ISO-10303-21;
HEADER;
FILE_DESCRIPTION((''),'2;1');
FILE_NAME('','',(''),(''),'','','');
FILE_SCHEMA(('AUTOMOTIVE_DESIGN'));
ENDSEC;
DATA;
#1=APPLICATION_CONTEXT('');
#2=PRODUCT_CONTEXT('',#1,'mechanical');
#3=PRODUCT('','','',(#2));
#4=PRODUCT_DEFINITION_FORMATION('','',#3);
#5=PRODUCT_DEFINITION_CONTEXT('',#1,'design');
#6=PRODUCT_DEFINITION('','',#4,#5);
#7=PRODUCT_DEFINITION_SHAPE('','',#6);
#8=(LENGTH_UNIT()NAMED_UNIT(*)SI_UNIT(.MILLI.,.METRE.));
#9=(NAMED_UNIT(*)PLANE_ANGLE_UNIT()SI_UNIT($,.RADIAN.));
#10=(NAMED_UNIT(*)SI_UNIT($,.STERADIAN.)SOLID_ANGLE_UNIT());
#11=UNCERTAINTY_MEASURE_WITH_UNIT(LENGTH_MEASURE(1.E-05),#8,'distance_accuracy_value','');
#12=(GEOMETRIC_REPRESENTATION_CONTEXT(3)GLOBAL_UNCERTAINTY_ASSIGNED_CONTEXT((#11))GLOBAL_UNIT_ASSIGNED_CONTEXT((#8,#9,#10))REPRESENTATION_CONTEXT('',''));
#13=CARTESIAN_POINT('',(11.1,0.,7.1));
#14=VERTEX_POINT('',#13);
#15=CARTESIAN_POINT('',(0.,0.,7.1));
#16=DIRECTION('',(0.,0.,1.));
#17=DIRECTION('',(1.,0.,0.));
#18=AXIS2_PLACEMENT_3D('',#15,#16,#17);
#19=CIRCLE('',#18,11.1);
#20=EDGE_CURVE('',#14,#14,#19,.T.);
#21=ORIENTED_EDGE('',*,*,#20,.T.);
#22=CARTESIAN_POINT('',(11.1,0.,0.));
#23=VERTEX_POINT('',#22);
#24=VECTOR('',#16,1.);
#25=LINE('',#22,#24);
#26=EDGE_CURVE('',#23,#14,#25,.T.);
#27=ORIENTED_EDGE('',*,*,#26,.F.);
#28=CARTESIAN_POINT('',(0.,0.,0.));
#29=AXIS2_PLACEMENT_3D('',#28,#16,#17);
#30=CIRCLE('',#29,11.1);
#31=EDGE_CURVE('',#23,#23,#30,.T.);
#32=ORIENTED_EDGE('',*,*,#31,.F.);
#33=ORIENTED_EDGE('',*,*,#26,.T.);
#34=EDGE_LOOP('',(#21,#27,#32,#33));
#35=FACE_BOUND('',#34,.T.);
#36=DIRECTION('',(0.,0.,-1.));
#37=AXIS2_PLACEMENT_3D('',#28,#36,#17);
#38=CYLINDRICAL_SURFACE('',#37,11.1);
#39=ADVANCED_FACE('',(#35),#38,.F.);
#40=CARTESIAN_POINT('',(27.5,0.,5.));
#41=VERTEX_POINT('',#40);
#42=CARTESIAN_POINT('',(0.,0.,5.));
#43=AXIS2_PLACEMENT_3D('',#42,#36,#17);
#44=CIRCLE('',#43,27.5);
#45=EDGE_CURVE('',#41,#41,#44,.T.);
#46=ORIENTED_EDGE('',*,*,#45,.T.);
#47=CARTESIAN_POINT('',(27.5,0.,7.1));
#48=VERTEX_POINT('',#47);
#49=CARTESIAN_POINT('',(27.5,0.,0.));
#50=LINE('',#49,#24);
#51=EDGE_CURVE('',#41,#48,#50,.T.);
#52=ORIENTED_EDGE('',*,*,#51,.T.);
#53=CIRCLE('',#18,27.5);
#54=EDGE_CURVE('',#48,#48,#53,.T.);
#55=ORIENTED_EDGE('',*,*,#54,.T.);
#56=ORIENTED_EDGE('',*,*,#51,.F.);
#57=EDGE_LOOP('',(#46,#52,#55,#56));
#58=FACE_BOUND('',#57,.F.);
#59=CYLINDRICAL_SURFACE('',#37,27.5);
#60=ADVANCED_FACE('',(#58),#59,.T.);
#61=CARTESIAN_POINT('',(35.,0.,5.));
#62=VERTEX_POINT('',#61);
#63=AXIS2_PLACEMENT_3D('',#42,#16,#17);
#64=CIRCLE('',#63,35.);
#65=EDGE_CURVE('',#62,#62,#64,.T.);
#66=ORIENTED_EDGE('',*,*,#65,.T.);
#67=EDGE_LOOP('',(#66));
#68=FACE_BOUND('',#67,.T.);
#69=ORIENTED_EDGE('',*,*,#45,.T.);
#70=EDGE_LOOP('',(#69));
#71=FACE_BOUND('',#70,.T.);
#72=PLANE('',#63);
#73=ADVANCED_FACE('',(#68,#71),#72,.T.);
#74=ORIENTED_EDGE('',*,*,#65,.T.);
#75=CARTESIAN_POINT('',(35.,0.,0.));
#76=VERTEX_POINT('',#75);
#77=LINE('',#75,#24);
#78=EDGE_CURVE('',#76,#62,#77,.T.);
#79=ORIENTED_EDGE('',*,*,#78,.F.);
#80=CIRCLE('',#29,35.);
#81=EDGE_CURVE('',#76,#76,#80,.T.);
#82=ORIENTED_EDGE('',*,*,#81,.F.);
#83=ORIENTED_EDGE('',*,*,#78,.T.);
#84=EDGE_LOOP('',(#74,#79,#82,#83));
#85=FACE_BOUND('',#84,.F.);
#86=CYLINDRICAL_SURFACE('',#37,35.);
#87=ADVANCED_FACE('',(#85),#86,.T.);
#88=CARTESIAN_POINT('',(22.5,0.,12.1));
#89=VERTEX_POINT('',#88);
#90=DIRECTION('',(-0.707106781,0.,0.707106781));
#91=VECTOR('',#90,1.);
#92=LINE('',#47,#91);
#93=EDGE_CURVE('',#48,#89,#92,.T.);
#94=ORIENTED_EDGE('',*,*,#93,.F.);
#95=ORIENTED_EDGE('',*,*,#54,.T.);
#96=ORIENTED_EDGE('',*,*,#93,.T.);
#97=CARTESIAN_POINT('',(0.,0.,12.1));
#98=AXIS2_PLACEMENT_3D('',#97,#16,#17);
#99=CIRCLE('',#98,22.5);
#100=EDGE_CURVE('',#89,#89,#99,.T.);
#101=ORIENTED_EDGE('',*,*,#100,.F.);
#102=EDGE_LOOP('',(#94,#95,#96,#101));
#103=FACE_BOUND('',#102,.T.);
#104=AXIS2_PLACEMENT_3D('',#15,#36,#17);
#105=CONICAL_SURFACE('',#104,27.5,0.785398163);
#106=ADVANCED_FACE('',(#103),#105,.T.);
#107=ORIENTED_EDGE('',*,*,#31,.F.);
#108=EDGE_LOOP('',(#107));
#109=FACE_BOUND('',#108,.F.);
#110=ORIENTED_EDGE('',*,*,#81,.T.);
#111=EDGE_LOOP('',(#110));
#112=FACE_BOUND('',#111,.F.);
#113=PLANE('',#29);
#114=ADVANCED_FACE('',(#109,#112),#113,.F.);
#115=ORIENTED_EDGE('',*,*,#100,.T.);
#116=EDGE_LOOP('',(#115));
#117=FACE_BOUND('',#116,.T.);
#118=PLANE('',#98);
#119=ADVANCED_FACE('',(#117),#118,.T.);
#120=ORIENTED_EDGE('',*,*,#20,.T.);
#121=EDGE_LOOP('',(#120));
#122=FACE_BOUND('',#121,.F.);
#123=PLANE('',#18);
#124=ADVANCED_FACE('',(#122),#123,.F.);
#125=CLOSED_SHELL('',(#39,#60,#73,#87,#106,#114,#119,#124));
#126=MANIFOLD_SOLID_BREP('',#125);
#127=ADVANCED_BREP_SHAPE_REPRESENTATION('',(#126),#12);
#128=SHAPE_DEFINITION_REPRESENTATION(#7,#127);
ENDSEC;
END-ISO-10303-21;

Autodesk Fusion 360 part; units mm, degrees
sketch "Sketch1" plane through (0, 0, 0) normal (0, 0, 1) x (1, 0, 0)
  circle A0 centre (0, 0) radius 27.5
  circle A1 centre (0, 0) radius 35
  circle A2 centre (0, 0) radius 11.1
  circle A3 centre (0, 0) radius 8.6
  dimension "d1" = 55
  dimension "d2" = 70
  dimension "d3" = 22.2
  dimension "d4" = 17.2
extrude "Extrude1" add sketch "Sketch1" along normal blind 7.1 contours A2
extrude "Extrude2" add sketch "Sketch1" along normal blind 5 from surface at 7.1 contours A2 | A3
extrude "Extrude3" add sketch "Sketch1" along normal blind 5 contours A0 | A1
extrude "Extrude4" add sketch "Sketch1" along normal blind 12.1 contours A0
chamfer "Chamfer1" distance 5 angle 45 1 edges at (-25.639, -9.9444, 12.1)
extrude "Extrude5" cut sketch "Sketch1" along normal blind 7.1 contours A2
equation "d1 = SpoolHoleID"
equation "d2 = SpoolShelfOD"
equation "d3 = BearingOD"
equation "d4 = BearingOD - bearingHolderWallThickness"
equation "BearingOD = 22.20 mm"
equation "bearingHolderWallThickness = 5 mm"
equation "SpoolHoleID = 55 mm"
equation "SpoolShelfOD = 70 mm"
equation "SpoolShelfThickness = 5 mm"
equation "SpoolInsertHeight = 5 mm"
equation "SpoolInsertChamfer = 5 mm"
equation "BearingHeight = 7.10 mm"
equation "d13 = BearingHeight"
equation "d15 = BearingHeight"
equation "d16 = SpoolShelfThickness"
equation "d18 = SpoolShelfThickness"
equation "d20 = SpoolShelfThickness + BearingHeight"
equation "d22 = SpoolInsertChamfer"
equation "d23 = BearingHeight"
